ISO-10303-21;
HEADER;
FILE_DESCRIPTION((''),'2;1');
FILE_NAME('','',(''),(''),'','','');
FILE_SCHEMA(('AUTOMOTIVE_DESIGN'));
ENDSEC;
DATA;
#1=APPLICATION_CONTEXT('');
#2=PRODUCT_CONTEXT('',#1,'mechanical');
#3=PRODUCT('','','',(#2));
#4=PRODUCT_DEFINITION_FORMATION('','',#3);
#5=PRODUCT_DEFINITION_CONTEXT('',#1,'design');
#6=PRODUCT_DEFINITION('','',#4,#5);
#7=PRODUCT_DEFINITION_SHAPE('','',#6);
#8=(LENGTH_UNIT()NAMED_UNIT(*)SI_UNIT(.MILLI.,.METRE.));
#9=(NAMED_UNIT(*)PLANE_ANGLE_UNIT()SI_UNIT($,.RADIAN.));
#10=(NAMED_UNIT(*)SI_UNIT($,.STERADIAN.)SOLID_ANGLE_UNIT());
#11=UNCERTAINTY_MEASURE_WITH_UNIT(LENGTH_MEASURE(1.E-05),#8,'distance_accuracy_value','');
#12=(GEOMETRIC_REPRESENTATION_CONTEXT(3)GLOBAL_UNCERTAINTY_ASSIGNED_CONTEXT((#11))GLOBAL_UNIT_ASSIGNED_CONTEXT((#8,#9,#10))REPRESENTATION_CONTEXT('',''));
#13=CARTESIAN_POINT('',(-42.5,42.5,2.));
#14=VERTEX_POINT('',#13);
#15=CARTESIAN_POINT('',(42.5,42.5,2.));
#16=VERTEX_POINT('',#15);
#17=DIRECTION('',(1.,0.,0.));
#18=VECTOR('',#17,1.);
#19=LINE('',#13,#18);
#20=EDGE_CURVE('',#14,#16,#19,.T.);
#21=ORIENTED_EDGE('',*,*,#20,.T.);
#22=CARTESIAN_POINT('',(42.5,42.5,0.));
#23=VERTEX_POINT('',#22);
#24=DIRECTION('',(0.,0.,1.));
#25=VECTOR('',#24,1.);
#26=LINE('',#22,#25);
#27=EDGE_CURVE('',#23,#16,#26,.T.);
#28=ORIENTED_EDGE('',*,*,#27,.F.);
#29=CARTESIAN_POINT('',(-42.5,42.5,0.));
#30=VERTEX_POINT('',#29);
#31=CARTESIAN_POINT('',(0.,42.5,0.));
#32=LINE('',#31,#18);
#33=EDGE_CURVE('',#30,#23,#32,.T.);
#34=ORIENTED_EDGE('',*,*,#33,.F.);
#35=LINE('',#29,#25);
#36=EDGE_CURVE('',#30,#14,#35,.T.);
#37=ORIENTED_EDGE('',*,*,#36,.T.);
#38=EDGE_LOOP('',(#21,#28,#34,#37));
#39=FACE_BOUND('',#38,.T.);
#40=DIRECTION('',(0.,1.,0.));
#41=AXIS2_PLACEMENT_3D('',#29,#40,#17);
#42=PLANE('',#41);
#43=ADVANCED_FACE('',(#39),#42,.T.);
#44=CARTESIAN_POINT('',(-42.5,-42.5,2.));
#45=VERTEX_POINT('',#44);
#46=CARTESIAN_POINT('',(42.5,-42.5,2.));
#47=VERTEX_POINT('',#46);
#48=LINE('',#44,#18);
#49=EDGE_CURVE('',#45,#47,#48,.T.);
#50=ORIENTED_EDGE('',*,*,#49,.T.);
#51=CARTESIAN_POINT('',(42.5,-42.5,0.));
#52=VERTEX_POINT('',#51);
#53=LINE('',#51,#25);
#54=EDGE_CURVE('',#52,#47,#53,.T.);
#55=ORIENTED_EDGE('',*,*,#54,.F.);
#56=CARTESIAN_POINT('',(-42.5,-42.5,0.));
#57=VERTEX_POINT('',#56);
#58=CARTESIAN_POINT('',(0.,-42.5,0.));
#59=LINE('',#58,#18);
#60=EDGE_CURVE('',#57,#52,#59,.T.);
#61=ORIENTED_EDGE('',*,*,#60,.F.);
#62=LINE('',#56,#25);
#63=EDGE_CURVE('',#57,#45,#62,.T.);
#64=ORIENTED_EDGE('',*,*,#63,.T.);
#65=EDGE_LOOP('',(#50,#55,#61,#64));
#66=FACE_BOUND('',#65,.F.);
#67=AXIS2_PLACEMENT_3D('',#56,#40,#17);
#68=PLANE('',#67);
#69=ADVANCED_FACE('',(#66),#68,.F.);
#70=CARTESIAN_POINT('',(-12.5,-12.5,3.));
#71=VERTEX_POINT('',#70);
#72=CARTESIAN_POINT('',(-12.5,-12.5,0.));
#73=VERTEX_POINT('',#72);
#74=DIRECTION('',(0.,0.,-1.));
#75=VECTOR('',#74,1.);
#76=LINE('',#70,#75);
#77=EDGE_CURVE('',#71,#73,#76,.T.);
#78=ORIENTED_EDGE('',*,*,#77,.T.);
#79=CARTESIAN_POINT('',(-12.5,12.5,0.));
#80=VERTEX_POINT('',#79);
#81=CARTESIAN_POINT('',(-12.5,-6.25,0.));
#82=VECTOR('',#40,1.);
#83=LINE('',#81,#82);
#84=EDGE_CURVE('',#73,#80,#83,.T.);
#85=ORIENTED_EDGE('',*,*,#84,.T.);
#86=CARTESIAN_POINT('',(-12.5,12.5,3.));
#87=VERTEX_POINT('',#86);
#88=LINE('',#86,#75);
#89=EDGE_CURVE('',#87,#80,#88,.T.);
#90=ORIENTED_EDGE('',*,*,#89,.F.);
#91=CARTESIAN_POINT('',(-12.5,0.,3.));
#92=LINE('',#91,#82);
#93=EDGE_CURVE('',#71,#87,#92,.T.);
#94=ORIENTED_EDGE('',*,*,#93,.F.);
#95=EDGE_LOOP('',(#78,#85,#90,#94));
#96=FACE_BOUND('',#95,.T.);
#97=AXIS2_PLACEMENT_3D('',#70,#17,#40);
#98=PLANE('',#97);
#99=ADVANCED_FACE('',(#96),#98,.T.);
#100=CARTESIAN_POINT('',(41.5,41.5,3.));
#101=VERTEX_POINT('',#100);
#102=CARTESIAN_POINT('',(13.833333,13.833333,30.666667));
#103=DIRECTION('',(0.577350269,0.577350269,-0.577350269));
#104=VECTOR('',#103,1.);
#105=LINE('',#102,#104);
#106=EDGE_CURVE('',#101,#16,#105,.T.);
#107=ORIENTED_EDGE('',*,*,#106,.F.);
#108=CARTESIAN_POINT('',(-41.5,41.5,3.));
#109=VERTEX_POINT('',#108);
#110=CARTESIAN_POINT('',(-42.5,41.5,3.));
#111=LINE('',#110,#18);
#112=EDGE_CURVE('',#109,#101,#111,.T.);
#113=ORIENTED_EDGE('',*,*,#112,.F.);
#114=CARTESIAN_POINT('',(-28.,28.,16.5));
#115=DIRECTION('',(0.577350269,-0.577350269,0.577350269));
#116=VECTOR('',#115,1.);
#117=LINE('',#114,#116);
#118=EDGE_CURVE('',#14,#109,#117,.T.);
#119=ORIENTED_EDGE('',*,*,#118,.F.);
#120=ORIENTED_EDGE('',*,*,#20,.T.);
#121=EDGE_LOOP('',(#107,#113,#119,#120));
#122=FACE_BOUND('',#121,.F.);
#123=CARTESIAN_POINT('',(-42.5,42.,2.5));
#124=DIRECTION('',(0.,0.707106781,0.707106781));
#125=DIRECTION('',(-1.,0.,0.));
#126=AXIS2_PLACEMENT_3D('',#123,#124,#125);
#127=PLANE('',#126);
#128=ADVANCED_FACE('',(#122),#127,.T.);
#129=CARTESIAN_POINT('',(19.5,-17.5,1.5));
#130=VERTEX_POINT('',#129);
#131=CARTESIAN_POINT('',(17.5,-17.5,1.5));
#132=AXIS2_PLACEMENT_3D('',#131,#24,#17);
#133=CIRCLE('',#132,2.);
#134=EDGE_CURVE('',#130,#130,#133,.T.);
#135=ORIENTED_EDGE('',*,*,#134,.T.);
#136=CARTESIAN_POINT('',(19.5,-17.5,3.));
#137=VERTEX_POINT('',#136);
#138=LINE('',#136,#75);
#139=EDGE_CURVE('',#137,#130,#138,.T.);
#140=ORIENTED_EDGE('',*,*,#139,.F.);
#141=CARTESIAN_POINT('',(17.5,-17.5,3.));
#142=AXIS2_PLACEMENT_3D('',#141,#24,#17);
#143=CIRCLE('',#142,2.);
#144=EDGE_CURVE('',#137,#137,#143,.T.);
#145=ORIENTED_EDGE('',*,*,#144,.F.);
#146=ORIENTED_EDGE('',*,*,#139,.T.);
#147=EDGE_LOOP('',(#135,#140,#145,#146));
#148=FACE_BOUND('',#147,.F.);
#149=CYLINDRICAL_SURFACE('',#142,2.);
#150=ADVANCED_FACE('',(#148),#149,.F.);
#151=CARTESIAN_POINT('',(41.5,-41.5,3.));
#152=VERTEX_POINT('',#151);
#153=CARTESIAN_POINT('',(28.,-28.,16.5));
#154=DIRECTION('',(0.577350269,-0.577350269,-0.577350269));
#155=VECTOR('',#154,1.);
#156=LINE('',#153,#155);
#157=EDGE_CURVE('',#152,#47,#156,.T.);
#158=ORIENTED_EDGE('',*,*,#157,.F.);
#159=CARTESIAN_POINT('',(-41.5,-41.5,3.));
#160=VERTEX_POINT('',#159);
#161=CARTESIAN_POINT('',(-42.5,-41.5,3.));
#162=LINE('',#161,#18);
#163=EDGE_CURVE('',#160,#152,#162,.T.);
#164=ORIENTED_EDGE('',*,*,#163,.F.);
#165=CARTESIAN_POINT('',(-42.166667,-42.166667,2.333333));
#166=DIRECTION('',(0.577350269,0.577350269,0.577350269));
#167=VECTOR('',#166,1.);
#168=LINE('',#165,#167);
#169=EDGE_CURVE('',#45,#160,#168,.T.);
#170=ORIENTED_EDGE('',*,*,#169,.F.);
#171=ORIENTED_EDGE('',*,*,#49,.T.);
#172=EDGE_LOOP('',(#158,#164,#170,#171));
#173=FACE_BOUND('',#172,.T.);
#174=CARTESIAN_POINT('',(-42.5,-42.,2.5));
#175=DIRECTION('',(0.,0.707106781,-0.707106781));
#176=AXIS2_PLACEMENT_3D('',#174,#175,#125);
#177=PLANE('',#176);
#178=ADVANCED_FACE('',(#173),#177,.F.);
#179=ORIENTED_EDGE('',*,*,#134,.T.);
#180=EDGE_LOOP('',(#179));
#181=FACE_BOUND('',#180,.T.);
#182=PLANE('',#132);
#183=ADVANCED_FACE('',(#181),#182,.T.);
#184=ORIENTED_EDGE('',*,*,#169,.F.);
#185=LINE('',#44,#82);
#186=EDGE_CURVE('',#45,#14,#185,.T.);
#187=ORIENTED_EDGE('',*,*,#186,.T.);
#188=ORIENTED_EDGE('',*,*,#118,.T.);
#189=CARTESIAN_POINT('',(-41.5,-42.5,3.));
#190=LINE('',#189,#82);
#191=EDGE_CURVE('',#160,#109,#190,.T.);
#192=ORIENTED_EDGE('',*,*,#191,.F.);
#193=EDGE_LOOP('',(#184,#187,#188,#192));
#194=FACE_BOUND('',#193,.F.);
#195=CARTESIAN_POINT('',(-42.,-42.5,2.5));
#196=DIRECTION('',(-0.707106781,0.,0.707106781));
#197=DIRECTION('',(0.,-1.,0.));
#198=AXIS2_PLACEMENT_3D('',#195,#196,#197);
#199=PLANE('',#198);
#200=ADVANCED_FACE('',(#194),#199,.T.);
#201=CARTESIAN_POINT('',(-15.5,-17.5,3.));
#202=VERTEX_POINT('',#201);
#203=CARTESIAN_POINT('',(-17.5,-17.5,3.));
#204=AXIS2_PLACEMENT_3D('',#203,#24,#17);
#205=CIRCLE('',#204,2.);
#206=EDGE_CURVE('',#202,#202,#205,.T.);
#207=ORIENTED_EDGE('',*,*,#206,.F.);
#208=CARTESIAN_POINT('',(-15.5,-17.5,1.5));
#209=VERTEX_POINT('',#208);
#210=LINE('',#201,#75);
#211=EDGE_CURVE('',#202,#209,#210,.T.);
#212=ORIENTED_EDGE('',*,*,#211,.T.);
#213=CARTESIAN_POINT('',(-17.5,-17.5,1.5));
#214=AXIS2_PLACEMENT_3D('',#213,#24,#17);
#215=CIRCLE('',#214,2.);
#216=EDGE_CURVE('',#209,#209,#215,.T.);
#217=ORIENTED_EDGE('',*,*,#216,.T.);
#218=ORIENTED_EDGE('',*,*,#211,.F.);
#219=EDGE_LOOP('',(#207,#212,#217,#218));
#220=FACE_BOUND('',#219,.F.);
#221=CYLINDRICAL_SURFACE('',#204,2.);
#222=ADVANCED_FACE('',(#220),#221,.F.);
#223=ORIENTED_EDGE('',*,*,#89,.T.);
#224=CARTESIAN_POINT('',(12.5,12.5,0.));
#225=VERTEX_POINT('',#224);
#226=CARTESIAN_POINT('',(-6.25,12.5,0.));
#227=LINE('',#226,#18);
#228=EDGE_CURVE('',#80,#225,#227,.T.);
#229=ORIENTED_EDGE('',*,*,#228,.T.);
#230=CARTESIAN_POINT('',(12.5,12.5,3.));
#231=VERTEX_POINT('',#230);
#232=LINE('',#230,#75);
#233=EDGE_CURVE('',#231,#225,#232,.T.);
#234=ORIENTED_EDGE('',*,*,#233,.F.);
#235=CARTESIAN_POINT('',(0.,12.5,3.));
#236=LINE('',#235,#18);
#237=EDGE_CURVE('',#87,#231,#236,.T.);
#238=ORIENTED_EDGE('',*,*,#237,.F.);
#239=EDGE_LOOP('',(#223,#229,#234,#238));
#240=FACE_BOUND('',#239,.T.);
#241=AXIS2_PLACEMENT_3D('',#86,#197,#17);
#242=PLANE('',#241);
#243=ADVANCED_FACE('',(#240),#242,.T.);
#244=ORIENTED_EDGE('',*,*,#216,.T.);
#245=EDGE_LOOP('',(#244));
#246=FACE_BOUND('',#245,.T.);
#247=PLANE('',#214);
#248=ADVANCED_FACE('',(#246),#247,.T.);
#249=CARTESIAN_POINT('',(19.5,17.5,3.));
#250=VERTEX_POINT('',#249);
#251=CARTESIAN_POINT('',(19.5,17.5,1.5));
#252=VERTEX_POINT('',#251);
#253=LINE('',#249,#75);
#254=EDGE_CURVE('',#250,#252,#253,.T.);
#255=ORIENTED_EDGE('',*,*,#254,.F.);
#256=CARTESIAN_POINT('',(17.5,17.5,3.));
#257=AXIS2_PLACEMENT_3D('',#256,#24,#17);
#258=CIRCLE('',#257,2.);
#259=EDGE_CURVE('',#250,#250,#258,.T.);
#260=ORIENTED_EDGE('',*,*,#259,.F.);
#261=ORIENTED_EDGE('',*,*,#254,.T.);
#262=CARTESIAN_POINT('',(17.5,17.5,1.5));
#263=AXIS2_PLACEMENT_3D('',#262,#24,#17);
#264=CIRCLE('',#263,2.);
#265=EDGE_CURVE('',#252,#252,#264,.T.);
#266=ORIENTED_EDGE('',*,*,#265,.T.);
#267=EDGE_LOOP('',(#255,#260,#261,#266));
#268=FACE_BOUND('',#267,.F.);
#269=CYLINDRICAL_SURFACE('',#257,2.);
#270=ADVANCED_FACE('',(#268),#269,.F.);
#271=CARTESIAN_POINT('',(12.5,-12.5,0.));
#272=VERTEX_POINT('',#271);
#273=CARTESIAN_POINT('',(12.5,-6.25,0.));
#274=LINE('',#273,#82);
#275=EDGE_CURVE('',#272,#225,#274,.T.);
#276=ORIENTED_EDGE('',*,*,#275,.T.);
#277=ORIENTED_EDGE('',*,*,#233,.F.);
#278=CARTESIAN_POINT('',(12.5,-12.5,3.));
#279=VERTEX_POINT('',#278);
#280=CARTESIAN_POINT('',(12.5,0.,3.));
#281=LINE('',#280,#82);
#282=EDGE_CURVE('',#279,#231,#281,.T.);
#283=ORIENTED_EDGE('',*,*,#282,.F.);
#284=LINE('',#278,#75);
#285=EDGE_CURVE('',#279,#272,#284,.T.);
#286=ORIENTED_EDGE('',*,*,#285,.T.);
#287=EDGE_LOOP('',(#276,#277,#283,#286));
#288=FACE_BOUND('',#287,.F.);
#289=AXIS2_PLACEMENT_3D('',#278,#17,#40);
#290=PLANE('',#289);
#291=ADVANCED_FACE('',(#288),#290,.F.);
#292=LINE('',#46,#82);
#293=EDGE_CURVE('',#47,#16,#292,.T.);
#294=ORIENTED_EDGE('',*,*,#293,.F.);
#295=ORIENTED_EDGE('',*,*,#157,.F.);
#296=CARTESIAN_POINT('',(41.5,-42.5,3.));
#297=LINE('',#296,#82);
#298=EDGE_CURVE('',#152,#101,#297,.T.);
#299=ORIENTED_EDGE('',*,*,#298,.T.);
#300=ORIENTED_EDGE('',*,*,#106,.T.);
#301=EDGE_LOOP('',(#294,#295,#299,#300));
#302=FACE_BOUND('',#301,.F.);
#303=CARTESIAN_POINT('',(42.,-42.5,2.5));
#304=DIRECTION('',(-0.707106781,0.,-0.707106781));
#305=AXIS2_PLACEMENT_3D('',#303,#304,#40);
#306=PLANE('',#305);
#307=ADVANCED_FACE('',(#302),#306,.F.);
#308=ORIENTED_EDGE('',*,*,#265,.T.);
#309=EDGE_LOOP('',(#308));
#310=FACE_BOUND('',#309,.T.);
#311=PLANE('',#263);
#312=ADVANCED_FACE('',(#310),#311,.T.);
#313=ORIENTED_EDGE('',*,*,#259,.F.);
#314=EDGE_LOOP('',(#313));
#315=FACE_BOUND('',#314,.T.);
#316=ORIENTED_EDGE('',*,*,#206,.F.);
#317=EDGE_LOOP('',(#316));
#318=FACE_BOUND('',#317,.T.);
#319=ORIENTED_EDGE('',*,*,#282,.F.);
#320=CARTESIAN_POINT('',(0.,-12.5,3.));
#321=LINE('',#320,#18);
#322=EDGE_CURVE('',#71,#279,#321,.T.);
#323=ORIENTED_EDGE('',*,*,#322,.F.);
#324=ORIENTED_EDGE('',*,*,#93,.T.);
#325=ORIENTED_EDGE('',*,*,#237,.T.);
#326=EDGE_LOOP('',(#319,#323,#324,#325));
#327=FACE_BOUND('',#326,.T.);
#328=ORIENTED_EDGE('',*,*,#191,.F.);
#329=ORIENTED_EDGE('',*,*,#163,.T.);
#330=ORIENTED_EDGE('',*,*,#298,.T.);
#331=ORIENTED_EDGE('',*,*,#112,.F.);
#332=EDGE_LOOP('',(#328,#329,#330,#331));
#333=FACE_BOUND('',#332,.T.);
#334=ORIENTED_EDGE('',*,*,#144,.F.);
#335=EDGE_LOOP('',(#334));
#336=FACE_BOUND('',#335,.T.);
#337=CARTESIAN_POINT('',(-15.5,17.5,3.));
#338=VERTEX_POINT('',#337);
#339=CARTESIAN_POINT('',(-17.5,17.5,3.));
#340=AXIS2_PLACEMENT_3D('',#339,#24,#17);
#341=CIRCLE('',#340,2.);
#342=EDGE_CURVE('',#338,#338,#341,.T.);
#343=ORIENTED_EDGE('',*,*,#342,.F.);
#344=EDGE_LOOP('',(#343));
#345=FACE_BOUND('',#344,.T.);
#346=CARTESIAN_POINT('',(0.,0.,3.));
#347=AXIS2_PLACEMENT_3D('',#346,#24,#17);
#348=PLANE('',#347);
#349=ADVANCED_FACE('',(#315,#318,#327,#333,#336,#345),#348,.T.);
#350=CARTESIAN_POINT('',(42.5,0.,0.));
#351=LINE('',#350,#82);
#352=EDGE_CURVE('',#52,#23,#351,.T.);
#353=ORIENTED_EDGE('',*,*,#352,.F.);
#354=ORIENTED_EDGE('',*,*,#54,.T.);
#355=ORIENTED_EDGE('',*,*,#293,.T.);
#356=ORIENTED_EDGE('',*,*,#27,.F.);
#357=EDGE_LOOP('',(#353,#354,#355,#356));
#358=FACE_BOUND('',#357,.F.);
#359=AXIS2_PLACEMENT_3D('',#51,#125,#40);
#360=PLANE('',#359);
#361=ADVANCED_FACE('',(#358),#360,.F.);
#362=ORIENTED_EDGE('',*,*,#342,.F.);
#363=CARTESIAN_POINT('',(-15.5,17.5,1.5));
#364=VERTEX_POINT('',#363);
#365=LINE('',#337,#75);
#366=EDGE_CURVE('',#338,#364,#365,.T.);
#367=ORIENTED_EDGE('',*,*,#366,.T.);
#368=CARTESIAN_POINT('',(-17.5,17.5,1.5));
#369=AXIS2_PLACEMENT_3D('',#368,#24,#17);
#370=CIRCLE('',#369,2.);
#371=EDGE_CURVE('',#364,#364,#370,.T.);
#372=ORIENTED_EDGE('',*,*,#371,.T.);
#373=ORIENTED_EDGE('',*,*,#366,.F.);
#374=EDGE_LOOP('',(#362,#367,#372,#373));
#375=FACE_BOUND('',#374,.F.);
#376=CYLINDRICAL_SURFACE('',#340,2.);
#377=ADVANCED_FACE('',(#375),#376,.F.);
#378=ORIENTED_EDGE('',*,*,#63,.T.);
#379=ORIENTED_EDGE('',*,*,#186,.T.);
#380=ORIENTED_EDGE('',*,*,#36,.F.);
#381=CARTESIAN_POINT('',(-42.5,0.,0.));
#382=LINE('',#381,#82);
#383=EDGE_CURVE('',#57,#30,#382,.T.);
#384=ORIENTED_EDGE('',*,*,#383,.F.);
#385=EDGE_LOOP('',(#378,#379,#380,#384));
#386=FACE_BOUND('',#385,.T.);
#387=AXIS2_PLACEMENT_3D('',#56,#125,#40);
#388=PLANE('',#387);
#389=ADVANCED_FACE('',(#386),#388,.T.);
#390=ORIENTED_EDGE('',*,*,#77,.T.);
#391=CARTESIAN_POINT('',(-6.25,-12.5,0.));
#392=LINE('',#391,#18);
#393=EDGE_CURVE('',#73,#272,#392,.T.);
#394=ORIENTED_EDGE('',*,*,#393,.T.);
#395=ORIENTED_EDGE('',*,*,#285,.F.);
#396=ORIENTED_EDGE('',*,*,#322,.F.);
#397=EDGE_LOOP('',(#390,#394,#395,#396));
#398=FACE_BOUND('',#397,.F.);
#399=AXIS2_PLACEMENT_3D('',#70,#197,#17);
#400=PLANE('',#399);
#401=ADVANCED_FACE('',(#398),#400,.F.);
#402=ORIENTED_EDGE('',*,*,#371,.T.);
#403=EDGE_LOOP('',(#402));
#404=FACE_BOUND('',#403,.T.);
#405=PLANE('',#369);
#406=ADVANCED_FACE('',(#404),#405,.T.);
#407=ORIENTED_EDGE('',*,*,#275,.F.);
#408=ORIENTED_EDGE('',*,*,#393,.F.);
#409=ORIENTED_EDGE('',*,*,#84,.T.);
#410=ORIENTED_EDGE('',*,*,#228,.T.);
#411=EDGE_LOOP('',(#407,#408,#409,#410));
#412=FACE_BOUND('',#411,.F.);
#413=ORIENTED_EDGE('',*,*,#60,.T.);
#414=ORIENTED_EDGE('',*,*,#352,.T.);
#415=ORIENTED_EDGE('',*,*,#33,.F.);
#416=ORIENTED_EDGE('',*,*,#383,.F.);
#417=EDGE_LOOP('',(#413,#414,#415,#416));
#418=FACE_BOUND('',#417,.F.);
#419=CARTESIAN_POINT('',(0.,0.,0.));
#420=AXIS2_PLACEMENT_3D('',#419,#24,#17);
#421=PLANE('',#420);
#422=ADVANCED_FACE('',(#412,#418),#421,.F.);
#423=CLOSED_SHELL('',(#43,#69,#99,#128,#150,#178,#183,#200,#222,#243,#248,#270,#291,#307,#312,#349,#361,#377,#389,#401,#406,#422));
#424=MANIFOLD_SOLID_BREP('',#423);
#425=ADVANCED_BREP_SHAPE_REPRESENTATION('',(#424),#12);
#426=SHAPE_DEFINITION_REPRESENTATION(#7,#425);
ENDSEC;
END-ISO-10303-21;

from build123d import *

# Parameters (mm, degrees)
SKETCH_W        = 85
SKETCH_H        = 85
PAD_DEPTH       = 3
SKETCH001_W     = 25
SKETCH001_H     = 25
POCKET_DEPTH    = 5
CHAMFER_SIZE    = 1
SKETCH002_R     = 2
POCKET001_DEPTH = 1.5


with BuildPart() as part:
    # Sketch → Pad (new body)
    with BuildSketch(Plane.XY):
        Rectangle(SKETCH_W, SKETCH_H)
    extrude(amount=PAD_DEPTH)

    # Sketch001 (on Face6 of Pad) → Pocket (cut)
    with BuildSketch(Plane.XY.offset(3)):
        Rectangle(SKETCH001_W, SKETCH001_H)
    extrude(amount=-POCKET_DEPTH, mode=Mode.SUBTRACT)

    # Chamfer
    chamfer_edges = [part.edges().sort_by_distance(p)[0] for p in [
        (42.5, 0, 3),
        (0, -42.5, 3),
        (-42.5, 0, 3),
        (0, 42.5, 3),
    ]]
    chamfer(chamfer_edges, length=CHAMFER_SIZE)

    # Sketch002 (on Face8 of Chamfer) → Pocket001 (cut)
    with BuildSketch(Plane.XY.offset(3)):
        with Locations((-17.5, 17.5)):
            Circle(SKETCH002_R)
        with Locations((-17.5, -17.5)):
            Circle(SKETCH002_R)
        with Locations((17.5, -17.5)):
            Circle(SKETCH002_R)
        with Locations((17.5, 17.5)):
            Circle(SKETCH002_R)
    extrude(amount=-POCKET001_DEPTH, mode=Mode.SUBTRACT)


solid = part.part
